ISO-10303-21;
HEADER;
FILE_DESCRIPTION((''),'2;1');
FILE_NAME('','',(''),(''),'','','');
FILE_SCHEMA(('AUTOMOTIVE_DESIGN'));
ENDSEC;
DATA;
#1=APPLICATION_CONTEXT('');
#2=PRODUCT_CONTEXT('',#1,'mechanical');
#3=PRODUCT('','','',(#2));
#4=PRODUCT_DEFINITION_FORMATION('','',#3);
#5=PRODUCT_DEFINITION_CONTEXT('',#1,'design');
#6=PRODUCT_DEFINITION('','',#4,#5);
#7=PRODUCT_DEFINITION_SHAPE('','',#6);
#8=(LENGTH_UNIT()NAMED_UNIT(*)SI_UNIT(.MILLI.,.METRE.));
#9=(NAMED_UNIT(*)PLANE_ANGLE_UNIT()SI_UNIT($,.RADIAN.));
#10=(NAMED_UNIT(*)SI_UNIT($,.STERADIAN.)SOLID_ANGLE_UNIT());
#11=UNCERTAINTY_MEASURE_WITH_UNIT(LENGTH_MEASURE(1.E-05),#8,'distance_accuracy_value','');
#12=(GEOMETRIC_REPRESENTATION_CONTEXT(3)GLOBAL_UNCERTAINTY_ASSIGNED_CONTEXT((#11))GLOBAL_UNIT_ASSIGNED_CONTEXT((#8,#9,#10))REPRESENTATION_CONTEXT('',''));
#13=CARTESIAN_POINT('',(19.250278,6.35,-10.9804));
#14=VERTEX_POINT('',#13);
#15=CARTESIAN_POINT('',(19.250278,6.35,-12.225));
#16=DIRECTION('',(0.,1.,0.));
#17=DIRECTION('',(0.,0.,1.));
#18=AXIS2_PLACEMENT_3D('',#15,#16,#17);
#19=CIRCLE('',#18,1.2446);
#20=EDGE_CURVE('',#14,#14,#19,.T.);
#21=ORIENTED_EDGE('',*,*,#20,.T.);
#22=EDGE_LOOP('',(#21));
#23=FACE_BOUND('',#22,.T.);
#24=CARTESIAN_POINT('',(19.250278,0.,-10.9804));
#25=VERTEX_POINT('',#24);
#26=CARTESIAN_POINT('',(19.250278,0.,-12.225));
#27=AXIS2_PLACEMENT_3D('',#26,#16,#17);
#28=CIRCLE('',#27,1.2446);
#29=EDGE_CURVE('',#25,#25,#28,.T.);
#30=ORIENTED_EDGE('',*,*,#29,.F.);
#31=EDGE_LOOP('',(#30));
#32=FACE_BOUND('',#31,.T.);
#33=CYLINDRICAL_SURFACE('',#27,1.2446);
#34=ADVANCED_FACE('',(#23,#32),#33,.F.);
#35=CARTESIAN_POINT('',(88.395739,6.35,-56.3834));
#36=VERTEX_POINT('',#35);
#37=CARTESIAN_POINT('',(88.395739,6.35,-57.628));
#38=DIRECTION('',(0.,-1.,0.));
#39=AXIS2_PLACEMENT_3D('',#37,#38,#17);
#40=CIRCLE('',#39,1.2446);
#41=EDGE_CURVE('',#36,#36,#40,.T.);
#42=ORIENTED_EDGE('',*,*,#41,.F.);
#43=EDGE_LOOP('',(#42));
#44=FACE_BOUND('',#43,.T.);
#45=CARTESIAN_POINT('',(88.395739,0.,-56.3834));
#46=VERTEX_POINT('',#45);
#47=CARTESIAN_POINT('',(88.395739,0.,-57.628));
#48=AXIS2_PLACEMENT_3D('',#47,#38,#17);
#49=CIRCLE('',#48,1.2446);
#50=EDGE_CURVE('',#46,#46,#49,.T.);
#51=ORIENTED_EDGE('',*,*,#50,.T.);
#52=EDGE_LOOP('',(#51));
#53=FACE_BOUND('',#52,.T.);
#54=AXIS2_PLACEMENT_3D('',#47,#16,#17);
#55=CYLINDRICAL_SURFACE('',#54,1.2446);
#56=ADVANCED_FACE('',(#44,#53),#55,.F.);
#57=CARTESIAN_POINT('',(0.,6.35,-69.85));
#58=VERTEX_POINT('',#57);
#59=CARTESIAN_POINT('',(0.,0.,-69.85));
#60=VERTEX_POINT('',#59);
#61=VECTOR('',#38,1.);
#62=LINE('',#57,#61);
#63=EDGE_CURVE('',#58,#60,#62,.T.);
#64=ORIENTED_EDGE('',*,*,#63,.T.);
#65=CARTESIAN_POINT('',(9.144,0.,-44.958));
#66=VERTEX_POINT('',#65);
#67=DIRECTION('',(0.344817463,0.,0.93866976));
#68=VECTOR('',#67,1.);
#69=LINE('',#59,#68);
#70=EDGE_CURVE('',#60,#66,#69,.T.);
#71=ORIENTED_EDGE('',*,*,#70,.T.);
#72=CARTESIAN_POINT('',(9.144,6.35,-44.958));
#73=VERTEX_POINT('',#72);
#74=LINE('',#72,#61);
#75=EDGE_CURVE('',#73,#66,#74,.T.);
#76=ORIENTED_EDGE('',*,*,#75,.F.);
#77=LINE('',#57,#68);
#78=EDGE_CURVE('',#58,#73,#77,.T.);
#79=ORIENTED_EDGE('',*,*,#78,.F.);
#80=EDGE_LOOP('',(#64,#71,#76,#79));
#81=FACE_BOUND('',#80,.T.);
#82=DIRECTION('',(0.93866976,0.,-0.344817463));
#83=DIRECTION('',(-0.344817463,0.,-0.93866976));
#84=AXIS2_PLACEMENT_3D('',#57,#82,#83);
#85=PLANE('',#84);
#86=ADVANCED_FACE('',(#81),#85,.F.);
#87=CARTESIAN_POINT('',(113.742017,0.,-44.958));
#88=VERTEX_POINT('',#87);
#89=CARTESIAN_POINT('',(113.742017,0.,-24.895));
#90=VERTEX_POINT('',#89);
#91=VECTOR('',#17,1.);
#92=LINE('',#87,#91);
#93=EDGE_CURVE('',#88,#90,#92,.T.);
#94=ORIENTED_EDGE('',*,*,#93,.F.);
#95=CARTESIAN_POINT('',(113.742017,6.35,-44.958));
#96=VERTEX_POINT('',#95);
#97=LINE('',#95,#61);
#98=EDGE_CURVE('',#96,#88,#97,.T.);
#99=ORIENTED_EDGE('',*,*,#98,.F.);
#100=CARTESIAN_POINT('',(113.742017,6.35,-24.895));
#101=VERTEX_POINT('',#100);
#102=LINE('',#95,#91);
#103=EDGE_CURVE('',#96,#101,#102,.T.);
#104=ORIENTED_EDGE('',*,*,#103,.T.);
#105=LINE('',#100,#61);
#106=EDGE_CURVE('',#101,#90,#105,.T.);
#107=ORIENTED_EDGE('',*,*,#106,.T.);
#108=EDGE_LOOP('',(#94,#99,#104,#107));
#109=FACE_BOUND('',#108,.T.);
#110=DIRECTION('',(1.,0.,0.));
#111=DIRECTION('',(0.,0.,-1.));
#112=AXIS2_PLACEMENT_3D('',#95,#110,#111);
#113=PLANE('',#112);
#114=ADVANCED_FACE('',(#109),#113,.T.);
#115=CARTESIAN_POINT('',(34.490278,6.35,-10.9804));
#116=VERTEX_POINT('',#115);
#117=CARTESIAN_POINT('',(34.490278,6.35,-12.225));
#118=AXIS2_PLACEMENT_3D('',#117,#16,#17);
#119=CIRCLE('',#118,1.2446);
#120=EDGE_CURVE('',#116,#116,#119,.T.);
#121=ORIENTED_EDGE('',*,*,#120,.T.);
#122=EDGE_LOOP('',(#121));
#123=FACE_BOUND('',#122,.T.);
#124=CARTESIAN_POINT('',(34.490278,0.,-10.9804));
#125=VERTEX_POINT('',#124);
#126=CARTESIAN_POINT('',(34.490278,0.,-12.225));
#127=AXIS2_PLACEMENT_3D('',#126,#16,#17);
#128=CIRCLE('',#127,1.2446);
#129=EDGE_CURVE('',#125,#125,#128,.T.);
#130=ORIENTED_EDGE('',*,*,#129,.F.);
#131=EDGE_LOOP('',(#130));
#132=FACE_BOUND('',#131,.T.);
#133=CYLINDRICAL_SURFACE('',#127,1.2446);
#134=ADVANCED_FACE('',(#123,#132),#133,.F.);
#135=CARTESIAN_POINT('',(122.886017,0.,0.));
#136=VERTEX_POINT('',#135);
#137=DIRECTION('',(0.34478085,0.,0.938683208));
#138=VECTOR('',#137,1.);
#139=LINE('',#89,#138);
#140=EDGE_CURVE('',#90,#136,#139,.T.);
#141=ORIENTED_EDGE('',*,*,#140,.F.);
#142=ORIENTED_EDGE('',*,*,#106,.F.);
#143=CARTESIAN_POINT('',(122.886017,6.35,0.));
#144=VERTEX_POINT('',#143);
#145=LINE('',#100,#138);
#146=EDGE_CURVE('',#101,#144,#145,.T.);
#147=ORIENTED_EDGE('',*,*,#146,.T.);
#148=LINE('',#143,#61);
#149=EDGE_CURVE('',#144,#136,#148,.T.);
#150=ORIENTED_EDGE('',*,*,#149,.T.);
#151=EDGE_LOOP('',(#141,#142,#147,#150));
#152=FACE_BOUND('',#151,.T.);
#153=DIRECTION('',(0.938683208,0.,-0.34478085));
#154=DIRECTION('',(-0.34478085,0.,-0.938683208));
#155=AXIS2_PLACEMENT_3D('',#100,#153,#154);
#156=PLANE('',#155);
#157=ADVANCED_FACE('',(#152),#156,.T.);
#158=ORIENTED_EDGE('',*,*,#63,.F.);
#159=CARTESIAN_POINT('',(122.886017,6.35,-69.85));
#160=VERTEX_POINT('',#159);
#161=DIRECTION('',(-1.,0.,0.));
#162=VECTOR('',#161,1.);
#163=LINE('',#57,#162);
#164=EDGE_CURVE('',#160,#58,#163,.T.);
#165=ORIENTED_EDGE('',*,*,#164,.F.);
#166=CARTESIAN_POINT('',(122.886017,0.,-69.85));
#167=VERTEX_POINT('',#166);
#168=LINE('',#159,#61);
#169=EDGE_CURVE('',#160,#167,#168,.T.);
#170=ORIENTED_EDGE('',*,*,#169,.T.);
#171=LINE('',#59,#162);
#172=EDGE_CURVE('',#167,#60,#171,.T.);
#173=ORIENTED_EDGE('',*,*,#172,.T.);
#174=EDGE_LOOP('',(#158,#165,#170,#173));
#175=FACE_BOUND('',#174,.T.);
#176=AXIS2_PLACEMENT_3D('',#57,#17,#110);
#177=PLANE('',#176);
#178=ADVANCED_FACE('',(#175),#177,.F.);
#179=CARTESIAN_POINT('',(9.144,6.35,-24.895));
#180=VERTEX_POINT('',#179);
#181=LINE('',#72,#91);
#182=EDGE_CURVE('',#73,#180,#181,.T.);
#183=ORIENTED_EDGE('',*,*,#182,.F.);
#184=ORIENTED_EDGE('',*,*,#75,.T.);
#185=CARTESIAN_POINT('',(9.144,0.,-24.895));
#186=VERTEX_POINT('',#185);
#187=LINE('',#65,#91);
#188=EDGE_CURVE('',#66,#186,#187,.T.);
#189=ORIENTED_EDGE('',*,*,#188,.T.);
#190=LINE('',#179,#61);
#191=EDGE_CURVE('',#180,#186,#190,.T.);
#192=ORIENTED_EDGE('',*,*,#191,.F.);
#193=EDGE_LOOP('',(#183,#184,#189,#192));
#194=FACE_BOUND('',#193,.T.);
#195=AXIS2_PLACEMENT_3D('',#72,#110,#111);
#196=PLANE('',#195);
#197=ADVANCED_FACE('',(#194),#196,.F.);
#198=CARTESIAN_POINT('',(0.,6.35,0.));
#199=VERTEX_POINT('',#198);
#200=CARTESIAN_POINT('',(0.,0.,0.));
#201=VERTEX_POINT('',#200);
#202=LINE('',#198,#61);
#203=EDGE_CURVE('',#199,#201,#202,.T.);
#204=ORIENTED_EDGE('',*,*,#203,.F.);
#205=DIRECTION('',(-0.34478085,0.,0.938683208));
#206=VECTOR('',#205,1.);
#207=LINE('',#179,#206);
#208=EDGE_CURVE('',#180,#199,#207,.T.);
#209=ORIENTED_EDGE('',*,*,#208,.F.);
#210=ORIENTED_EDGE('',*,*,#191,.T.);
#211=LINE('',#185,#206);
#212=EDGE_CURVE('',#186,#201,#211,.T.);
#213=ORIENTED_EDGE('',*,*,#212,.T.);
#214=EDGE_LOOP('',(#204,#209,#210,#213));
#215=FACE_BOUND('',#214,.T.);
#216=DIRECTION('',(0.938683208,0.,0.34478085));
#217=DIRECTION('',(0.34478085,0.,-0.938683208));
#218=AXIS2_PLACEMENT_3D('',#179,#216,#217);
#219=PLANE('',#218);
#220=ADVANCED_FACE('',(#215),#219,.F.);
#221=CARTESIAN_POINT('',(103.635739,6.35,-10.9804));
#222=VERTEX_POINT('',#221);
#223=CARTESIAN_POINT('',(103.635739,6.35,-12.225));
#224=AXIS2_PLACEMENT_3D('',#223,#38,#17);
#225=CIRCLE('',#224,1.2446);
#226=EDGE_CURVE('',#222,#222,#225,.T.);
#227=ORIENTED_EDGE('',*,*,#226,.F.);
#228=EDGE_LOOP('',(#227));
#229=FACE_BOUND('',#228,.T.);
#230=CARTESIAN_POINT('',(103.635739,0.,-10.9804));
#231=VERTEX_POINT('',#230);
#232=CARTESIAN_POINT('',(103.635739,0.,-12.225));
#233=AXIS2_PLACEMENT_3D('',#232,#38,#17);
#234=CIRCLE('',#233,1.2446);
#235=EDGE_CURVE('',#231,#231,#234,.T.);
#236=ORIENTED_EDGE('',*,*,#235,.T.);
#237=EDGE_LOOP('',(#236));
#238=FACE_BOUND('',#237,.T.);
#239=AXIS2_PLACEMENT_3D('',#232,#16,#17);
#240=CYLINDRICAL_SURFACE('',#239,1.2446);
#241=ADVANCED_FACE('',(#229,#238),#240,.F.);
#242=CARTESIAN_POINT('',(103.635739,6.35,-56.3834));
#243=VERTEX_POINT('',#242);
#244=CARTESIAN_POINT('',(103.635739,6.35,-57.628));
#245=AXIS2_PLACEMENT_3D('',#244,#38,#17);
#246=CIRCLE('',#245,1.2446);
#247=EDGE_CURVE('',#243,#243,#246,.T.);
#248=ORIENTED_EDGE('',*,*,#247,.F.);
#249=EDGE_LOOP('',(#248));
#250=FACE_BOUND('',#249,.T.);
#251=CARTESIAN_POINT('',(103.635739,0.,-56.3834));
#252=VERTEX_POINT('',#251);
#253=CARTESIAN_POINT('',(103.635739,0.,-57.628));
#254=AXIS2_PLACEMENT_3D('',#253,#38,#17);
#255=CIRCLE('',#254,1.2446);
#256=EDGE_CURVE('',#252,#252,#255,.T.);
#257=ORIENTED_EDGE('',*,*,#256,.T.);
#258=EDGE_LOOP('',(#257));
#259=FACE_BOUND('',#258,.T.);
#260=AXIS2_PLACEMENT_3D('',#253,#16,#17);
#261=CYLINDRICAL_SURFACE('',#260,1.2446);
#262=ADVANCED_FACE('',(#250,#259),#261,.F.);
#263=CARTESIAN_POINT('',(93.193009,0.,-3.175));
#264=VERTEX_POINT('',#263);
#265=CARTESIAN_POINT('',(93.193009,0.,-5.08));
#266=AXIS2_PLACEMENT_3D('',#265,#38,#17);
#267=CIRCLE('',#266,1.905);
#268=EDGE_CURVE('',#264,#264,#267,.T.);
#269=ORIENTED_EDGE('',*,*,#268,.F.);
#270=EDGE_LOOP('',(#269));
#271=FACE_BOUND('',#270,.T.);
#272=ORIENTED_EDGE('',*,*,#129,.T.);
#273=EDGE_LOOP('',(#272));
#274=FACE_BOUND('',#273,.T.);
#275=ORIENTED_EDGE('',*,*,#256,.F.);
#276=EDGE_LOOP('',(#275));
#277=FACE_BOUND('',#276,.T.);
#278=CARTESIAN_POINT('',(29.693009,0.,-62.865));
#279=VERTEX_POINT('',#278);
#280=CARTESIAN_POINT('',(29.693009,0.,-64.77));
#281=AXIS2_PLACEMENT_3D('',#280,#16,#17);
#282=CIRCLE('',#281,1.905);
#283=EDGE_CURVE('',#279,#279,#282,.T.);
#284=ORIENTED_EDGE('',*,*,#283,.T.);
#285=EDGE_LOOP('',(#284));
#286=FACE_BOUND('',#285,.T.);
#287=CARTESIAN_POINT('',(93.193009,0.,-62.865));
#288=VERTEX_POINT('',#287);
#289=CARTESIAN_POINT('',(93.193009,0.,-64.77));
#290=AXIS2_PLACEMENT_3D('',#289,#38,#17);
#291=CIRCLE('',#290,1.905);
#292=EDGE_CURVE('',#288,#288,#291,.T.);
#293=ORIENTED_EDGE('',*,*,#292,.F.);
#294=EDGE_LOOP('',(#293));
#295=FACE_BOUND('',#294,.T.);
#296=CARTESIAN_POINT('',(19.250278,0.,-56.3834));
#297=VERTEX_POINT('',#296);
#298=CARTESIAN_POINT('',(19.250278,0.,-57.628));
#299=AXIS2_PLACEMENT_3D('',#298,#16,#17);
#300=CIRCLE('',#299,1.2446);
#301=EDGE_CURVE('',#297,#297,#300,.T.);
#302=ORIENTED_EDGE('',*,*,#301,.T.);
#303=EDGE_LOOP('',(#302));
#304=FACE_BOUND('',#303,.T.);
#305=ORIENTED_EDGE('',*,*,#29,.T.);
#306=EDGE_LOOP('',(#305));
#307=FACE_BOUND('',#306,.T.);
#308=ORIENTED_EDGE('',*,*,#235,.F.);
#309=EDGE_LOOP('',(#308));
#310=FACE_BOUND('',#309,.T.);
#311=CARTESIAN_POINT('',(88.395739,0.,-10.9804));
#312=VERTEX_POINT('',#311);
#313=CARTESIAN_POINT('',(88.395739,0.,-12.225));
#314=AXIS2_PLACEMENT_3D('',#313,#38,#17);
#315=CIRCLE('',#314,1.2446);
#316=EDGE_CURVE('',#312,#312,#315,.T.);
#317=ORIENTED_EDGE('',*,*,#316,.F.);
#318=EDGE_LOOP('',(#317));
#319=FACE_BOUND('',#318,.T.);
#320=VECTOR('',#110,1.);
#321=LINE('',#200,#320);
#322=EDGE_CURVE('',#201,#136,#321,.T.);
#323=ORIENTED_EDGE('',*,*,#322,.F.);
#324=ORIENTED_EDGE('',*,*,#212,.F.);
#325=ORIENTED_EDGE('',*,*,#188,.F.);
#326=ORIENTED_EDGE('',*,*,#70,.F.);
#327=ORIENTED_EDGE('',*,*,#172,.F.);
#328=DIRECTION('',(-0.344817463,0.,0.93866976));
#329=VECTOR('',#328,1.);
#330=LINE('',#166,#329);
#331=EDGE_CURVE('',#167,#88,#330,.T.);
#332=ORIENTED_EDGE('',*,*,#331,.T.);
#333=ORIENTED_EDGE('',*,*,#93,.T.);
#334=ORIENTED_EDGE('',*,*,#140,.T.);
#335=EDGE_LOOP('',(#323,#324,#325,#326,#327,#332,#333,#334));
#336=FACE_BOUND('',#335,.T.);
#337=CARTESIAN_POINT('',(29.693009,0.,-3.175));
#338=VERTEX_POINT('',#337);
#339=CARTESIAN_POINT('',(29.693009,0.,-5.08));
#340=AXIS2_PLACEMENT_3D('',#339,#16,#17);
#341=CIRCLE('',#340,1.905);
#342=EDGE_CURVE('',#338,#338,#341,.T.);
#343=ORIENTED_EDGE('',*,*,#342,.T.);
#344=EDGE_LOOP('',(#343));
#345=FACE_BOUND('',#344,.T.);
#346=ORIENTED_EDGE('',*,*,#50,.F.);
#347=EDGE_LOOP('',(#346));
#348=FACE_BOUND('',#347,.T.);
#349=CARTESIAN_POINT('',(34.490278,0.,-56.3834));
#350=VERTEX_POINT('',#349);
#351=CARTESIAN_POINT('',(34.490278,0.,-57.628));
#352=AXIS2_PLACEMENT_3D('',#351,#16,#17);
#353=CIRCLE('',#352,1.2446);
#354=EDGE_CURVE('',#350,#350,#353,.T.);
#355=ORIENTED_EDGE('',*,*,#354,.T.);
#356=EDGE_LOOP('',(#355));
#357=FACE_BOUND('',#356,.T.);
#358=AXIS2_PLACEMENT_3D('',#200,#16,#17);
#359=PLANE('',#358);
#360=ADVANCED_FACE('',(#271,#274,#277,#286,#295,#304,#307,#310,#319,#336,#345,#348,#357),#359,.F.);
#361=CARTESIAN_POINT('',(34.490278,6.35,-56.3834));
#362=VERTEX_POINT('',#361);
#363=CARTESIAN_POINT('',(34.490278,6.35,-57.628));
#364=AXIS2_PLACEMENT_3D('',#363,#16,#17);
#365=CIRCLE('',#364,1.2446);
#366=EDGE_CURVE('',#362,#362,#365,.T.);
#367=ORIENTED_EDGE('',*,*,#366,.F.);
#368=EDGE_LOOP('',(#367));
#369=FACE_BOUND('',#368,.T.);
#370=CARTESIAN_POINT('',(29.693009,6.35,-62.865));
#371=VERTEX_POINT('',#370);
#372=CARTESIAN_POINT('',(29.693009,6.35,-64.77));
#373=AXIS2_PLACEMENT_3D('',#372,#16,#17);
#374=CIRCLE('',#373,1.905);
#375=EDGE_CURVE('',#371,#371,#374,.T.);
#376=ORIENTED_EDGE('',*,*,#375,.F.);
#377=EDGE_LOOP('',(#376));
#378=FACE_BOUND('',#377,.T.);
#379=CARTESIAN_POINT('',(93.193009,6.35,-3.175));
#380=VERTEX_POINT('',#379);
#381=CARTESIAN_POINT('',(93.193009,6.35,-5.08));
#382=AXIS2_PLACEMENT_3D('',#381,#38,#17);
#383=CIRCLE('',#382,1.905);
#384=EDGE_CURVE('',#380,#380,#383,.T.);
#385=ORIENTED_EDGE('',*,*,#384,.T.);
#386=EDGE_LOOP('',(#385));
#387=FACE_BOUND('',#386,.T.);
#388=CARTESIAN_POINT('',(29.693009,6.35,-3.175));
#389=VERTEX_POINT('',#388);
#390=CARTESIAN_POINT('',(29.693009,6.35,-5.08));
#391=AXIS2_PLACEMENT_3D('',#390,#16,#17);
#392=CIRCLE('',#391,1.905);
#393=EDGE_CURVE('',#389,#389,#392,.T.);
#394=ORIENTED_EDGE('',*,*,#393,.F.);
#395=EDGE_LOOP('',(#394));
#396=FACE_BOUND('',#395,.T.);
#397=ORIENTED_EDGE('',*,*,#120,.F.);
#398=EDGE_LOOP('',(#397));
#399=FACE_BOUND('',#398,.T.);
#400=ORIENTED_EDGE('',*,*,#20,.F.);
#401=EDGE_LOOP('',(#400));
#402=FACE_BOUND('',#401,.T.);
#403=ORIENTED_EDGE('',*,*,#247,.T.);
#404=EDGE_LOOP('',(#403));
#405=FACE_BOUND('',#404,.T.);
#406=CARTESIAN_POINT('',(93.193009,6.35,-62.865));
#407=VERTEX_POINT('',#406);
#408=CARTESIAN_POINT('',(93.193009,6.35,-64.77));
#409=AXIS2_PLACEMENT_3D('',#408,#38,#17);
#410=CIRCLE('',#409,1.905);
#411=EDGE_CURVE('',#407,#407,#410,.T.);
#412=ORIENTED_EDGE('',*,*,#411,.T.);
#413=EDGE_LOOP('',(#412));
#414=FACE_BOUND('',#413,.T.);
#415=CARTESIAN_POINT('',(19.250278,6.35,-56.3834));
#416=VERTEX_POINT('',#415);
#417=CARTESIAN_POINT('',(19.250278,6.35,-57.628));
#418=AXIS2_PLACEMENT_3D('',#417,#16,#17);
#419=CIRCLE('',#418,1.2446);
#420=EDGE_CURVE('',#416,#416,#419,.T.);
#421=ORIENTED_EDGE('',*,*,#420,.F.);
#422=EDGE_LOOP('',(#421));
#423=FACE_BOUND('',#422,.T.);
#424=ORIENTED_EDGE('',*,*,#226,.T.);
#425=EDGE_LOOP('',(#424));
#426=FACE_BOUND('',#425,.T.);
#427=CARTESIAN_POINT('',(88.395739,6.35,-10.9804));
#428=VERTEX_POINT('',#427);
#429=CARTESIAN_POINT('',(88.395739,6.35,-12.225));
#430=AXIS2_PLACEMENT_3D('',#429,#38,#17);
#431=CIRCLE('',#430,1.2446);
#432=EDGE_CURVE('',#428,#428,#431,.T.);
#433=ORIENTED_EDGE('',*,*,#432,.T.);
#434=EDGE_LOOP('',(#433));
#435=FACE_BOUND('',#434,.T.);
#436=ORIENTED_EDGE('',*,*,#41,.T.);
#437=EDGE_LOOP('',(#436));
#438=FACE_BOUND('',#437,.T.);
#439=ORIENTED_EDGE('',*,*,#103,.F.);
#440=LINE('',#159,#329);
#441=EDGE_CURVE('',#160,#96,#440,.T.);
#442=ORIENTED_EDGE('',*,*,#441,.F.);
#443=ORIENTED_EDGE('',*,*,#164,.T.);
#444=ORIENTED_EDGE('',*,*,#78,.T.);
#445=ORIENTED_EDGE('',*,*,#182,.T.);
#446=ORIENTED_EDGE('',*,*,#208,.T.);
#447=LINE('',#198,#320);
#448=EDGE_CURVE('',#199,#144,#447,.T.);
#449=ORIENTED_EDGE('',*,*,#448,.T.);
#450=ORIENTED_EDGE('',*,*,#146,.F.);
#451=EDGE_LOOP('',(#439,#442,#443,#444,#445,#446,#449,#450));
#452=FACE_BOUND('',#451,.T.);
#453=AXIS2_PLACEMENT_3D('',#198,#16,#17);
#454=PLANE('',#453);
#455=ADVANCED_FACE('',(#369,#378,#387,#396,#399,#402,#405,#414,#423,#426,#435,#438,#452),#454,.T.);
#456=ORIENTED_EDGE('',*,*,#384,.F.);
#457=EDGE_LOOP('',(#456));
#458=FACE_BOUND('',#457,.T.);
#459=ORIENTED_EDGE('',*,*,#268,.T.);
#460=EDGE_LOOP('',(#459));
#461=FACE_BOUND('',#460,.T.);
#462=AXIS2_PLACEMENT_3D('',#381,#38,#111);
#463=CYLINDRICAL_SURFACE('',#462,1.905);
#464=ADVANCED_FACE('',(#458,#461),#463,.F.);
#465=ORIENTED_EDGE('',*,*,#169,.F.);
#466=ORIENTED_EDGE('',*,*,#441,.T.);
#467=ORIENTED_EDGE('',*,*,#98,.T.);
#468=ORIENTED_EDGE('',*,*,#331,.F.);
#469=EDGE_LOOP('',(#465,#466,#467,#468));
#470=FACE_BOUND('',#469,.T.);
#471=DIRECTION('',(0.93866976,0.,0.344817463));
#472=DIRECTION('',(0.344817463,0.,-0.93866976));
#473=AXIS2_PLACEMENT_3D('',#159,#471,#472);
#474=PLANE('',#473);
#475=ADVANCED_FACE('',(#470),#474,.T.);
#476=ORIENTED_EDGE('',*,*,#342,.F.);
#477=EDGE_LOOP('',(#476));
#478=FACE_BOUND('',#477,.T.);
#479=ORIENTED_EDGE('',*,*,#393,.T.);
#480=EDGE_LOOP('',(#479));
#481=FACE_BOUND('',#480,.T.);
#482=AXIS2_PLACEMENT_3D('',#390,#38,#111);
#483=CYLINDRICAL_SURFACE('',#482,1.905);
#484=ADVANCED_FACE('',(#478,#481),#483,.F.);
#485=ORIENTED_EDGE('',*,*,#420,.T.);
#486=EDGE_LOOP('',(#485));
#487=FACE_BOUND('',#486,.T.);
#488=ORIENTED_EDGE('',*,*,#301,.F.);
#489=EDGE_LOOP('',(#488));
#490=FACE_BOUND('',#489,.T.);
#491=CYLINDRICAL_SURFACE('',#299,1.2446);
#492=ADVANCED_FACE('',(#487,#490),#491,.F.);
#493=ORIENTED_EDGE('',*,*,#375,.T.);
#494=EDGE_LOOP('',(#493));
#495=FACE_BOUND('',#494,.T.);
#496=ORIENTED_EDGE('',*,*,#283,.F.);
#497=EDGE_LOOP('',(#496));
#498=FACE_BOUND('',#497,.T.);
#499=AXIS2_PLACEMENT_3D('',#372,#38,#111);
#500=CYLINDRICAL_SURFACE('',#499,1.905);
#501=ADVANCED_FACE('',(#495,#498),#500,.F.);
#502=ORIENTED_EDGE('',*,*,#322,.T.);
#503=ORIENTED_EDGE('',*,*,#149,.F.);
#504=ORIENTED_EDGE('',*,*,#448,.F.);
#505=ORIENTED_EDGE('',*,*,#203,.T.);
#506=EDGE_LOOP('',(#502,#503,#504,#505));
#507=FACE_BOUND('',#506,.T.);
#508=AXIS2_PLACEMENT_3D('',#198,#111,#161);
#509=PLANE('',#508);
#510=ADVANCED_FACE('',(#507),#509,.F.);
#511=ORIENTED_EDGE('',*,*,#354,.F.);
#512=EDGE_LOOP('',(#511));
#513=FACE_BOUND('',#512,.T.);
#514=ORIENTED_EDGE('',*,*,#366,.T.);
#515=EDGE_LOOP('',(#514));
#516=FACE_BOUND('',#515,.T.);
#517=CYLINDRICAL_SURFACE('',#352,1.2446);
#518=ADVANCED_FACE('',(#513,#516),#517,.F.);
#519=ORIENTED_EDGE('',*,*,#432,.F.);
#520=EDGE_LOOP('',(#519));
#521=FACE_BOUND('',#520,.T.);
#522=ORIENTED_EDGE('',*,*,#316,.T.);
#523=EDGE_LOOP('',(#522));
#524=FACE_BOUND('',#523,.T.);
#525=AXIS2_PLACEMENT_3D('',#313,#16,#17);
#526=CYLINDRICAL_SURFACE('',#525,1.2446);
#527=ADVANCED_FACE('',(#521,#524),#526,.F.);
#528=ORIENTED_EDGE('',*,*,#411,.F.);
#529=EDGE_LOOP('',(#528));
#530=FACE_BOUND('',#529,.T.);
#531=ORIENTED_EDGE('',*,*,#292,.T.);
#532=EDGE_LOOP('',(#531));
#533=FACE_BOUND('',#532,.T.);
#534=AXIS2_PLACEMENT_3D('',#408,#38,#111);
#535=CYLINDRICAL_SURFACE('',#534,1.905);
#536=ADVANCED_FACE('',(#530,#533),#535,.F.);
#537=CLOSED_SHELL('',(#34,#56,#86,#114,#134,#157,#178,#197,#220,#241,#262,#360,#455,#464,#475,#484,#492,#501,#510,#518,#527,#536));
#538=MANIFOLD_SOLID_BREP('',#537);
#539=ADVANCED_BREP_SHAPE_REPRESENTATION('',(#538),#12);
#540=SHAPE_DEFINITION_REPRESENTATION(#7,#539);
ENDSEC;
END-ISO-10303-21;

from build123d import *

# Parameters (mm, degrees)
SKETCH10_R          = 1.905
BOSS_EXTRUDE2_DEPTH = 6.35
SKETCH11_R          = 1.2446
CUT_EXTRUDE1_DEPTH  = 6.35


with BuildPart() as part:
    # Sketch10 → Boss-Extrude2 (new body)
    with BuildSketch(Plane(origin=(0, 0, 0), x_dir=(1, 0, 0), z_dir=(0, 1, 0))):
        Polygon((0, 69.85), (9.144, 44.958), (9.144, 24.894999994), (0, 0), (61.443008686, 0), (61.443008686, 69.85), align=None)
        with Locations((29.693008686, 64.77)):
            Circle(SKETCH10_R, mode=Mode.SUBTRACT)
        with Locations((29.693008686, 5.08)):
            Circle(SKETCH10_R, mode=Mode.SUBTRACT)
    boss_extrude2 = extrude(amount=BOSS_EXTRUDE2_DEPTH)

    # Sketch11 → Cut-Extrude1 (cut)
    with BuildSketch(Plane(origin=(0, 6.35, 0), x_dir=(1, 0, 0), z_dir=(0, 1, 0))):
        with Locations((34.490278238, 57.62800006)):
            Circle(SKETCH11_R)
        with Locations((19.250278238, 57.62800006)):
            Circle(SKETCH11_R)
        with Locations((34.490278238, 12.224999934)):
            Circle(SKETCH11_R)
        with Locations((19.250278238, 12.224999934)):
            Circle(SKETCH11_R)
    cut_extrude1 = extrude(amount=-CUT_EXTRUDE1_DEPTH, mode=Mode.SUBTRACT)

    # Mirror3: Boss-Extrude2, Cut-Extrude1 across plane
    add(boss_extrude2.mirror(Plane(origin=(61.443008686, 6.35, 0), x_dir=(0, 0, 1), z_dir=(-1, 0, 0))))
    add(cut_extrude1.mirror(Plane(origin=(61.443008686, 6.35, 0), x_dir=(0, 0, 1), z_dir=(-1, 0, 0))), mode=Mode.SUBTRACT)


solid = part.part
